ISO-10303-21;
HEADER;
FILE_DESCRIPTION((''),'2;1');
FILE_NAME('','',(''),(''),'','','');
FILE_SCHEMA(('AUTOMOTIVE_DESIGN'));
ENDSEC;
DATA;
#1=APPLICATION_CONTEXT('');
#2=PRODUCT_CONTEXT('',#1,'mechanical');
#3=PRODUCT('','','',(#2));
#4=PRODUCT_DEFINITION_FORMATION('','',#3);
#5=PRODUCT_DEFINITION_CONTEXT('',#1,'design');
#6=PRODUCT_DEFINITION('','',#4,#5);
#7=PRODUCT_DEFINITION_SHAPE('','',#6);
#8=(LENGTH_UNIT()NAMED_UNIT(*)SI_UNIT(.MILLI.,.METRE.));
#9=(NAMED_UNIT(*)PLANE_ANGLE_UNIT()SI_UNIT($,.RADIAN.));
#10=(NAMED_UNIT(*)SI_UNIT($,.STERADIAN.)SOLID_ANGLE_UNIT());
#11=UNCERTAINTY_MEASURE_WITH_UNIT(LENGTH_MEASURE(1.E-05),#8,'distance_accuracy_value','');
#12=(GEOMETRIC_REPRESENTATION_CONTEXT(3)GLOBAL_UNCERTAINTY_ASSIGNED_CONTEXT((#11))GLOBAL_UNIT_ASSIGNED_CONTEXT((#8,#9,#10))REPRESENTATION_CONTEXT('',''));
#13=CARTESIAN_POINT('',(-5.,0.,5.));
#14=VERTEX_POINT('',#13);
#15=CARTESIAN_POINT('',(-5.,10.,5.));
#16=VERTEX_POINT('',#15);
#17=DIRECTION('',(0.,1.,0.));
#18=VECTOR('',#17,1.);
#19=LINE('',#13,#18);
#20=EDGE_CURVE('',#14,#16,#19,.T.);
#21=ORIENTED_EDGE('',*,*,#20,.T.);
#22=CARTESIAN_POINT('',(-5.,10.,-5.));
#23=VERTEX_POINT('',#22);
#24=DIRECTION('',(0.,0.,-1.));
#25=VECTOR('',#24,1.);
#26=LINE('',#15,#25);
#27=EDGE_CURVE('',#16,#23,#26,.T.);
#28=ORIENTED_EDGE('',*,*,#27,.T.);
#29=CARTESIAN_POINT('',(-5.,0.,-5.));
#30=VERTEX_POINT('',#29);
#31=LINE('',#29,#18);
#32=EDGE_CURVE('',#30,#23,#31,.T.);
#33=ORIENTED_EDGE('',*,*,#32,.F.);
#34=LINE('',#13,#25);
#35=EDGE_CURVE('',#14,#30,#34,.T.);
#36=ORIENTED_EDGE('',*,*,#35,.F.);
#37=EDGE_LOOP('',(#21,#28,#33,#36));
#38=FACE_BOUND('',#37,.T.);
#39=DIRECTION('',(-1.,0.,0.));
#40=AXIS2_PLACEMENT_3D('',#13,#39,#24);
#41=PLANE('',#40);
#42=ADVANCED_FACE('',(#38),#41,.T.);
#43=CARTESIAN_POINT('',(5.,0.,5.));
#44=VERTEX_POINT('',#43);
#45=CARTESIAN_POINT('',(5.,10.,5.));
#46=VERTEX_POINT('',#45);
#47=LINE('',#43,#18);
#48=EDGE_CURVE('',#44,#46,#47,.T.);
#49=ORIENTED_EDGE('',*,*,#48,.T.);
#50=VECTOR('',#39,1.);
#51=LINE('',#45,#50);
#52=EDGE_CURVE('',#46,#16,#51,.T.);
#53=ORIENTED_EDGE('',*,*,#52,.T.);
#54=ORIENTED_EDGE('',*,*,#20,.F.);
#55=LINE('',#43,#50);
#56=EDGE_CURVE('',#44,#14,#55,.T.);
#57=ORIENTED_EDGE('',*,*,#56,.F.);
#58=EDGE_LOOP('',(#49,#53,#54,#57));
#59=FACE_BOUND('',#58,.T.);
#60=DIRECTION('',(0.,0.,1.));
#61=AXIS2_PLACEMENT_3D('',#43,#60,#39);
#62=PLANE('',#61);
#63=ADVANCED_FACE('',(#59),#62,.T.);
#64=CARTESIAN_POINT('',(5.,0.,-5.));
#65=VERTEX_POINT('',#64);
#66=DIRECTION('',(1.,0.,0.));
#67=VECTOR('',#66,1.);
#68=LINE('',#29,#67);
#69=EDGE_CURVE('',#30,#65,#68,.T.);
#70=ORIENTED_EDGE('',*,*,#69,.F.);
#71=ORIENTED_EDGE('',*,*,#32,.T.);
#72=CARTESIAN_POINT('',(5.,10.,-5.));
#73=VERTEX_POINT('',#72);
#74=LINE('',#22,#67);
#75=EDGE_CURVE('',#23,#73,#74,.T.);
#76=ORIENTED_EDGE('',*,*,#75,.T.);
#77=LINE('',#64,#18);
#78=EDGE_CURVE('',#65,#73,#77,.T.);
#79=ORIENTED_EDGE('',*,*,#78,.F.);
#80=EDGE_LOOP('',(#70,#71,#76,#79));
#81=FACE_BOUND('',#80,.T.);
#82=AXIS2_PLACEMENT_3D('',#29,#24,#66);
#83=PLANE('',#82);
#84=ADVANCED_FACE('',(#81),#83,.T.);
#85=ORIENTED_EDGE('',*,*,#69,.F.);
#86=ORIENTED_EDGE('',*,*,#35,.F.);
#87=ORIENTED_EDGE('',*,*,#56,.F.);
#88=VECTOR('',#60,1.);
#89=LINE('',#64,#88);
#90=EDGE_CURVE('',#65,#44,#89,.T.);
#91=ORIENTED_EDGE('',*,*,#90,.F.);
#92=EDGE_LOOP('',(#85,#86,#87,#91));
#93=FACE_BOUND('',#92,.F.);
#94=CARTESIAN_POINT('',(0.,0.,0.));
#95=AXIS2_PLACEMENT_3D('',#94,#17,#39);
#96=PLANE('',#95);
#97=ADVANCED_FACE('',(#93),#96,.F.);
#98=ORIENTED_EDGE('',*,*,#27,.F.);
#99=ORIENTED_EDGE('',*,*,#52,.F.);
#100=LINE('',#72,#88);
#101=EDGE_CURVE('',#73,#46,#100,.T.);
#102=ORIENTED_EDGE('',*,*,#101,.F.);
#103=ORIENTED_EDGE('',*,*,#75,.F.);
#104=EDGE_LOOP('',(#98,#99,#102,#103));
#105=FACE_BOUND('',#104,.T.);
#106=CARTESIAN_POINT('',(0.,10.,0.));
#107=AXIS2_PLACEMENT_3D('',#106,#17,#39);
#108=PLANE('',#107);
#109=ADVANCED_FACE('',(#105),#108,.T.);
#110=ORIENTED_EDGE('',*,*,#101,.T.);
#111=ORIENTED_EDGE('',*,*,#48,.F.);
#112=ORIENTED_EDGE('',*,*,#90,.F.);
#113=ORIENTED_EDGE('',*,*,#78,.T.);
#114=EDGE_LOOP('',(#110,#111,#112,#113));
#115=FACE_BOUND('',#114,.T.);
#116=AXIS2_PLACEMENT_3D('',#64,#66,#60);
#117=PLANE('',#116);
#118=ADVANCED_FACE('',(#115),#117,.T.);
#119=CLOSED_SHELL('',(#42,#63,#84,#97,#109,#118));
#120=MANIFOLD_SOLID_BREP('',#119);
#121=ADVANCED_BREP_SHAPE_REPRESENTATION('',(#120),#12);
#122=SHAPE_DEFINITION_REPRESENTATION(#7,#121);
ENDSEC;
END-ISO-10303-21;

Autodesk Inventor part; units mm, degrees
ref_plane "YZ Plane" through (0, 0, 0) normal (1, 0, 0) x (0, 1, 0)
ref_plane "XZ Plane" through (0, 0, 0) normal (0, 1, 0) x (-1, 0, 0)
ref_plane "XY Plane" through (0, 0, 0) normal (0, 0, 1) x (1, 0, 0)
sketch "Sketch1" plane through (0, 0, 0) normal (0, 1, 0) x (-1, 0, 0)
  line L0 (-5, 5) -> (5, 5)
  line L1 (5, 5) -> (5, -5)
  line L2 (5, -5) -> (-5, -5)
  line L3 (-5, -5) -> (-5, 5)
  line L4 (-5, 5) -> (5, -5) construction
  line L5 (5, 5) -> (-5, -5) construction
  point P0 (0, 0)
  dimension "d0" = 10
  dimension "d1" = 10
extrude "Extrusion1" add sketch "Sketch1" along normal blind 10
properties part number "Cube 10x10"
